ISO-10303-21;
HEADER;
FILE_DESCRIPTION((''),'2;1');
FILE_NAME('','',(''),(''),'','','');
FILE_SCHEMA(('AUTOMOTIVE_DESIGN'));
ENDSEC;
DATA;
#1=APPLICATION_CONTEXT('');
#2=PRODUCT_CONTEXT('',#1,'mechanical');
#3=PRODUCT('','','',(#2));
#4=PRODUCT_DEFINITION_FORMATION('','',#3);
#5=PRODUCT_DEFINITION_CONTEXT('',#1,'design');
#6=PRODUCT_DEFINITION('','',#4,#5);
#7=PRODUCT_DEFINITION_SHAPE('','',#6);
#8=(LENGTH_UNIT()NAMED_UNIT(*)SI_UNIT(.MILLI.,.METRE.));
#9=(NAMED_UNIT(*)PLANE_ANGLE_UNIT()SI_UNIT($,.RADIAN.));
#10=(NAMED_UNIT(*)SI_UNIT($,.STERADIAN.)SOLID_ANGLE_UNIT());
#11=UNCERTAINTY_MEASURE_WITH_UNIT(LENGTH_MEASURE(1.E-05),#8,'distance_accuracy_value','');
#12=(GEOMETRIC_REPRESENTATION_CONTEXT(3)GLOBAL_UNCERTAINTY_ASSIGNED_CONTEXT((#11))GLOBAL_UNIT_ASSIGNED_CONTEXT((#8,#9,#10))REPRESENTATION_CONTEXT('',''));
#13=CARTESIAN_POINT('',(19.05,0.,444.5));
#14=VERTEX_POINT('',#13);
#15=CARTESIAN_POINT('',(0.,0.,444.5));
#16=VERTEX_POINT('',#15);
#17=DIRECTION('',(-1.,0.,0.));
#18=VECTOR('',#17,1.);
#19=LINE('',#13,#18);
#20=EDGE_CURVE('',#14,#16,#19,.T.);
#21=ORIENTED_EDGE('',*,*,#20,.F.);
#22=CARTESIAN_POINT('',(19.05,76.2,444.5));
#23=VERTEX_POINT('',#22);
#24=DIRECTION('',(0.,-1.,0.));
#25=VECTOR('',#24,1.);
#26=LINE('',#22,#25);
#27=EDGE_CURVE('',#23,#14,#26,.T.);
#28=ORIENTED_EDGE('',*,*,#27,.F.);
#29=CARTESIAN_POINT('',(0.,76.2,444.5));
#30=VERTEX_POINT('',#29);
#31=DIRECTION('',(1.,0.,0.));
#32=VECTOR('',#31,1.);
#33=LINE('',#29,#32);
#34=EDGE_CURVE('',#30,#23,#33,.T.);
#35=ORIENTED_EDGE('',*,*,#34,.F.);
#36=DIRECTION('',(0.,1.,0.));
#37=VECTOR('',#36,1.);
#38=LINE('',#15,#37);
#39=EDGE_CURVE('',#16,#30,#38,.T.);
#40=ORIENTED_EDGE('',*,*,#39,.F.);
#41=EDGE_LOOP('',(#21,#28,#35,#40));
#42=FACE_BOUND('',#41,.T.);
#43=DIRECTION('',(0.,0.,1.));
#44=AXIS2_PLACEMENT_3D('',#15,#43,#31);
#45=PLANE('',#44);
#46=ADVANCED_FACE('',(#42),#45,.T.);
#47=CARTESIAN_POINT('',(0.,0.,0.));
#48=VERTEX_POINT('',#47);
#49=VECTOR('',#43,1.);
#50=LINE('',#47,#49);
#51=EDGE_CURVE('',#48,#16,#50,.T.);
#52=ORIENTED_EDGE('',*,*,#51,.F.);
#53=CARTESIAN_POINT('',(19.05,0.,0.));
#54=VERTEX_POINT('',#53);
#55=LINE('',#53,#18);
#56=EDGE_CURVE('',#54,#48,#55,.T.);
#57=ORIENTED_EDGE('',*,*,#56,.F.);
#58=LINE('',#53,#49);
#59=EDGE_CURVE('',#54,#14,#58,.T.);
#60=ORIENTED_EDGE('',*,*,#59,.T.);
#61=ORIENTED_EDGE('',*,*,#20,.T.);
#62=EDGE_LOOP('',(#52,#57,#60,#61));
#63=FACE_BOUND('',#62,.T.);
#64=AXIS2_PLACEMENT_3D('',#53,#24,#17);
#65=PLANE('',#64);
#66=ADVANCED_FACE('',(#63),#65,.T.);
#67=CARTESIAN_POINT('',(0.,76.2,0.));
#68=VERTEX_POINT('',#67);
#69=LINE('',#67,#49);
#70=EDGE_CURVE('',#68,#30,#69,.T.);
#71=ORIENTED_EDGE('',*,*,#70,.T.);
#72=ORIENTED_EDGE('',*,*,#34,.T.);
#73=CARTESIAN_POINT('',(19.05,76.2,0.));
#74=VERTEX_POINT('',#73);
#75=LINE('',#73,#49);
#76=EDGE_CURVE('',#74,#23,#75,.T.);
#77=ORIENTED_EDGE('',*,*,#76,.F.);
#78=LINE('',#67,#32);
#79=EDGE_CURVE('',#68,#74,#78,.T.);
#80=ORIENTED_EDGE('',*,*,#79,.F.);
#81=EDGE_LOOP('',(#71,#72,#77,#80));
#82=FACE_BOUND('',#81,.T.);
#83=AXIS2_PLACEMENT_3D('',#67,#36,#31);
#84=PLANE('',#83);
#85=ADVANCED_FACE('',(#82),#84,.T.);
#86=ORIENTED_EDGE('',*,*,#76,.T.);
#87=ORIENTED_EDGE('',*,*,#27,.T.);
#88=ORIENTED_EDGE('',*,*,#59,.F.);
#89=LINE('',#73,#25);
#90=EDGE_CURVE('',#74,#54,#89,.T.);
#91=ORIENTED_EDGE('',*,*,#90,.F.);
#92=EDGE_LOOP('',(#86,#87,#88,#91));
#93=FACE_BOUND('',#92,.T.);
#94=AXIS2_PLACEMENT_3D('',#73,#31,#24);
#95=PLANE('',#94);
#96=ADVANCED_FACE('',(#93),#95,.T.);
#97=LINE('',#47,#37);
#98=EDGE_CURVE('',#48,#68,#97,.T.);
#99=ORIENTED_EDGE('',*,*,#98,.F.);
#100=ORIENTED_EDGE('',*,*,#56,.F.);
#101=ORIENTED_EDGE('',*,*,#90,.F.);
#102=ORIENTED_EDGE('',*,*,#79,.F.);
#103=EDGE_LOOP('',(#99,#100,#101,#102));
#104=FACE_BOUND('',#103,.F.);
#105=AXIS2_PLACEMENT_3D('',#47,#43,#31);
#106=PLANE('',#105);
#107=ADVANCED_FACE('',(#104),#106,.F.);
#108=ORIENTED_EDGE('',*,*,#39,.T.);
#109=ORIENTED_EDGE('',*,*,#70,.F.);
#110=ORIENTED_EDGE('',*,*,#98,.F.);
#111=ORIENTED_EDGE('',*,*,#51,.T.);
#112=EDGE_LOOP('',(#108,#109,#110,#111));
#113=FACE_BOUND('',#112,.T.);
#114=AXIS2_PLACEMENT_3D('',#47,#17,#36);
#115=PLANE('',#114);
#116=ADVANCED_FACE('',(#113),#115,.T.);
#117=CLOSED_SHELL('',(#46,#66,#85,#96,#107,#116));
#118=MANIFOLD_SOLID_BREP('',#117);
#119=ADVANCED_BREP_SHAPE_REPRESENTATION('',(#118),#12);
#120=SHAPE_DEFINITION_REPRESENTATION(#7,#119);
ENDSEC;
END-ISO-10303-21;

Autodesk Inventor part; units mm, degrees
ref_plane "YZ Plane" through (0, 0, 0) normal (1, 0, 0) x (0, 1, 0)
ref_plane "XZ Plane" through (0, 0, 0) normal (0, 1, 0) x (-1, 0, 0)
ref_plane "XY Plane" through (0, 0, 0) normal (0, 0, 1) x (1, 0, 0)
sketch "Sketch1" plane through (0, 0, 0) normal (0, 0, 1) x (1, 0, 0)
  line L0 (0, 76.2) -> (19.05, 76.2)
  line L1 (19.05, 76.2) -> (19.05, 0)
  line L2 (19.05, 0) -> (0, 0)
  line L3 (0, 0) -> (0, 76.2)
  dimension "d0" = 19.05
  dimension "d1" = 76.2
extrude "Extrusion1" add sketch "Sketch1" along normal blind 444.5
properties part number "Drawer sides" material "Wood (Cherry)"
